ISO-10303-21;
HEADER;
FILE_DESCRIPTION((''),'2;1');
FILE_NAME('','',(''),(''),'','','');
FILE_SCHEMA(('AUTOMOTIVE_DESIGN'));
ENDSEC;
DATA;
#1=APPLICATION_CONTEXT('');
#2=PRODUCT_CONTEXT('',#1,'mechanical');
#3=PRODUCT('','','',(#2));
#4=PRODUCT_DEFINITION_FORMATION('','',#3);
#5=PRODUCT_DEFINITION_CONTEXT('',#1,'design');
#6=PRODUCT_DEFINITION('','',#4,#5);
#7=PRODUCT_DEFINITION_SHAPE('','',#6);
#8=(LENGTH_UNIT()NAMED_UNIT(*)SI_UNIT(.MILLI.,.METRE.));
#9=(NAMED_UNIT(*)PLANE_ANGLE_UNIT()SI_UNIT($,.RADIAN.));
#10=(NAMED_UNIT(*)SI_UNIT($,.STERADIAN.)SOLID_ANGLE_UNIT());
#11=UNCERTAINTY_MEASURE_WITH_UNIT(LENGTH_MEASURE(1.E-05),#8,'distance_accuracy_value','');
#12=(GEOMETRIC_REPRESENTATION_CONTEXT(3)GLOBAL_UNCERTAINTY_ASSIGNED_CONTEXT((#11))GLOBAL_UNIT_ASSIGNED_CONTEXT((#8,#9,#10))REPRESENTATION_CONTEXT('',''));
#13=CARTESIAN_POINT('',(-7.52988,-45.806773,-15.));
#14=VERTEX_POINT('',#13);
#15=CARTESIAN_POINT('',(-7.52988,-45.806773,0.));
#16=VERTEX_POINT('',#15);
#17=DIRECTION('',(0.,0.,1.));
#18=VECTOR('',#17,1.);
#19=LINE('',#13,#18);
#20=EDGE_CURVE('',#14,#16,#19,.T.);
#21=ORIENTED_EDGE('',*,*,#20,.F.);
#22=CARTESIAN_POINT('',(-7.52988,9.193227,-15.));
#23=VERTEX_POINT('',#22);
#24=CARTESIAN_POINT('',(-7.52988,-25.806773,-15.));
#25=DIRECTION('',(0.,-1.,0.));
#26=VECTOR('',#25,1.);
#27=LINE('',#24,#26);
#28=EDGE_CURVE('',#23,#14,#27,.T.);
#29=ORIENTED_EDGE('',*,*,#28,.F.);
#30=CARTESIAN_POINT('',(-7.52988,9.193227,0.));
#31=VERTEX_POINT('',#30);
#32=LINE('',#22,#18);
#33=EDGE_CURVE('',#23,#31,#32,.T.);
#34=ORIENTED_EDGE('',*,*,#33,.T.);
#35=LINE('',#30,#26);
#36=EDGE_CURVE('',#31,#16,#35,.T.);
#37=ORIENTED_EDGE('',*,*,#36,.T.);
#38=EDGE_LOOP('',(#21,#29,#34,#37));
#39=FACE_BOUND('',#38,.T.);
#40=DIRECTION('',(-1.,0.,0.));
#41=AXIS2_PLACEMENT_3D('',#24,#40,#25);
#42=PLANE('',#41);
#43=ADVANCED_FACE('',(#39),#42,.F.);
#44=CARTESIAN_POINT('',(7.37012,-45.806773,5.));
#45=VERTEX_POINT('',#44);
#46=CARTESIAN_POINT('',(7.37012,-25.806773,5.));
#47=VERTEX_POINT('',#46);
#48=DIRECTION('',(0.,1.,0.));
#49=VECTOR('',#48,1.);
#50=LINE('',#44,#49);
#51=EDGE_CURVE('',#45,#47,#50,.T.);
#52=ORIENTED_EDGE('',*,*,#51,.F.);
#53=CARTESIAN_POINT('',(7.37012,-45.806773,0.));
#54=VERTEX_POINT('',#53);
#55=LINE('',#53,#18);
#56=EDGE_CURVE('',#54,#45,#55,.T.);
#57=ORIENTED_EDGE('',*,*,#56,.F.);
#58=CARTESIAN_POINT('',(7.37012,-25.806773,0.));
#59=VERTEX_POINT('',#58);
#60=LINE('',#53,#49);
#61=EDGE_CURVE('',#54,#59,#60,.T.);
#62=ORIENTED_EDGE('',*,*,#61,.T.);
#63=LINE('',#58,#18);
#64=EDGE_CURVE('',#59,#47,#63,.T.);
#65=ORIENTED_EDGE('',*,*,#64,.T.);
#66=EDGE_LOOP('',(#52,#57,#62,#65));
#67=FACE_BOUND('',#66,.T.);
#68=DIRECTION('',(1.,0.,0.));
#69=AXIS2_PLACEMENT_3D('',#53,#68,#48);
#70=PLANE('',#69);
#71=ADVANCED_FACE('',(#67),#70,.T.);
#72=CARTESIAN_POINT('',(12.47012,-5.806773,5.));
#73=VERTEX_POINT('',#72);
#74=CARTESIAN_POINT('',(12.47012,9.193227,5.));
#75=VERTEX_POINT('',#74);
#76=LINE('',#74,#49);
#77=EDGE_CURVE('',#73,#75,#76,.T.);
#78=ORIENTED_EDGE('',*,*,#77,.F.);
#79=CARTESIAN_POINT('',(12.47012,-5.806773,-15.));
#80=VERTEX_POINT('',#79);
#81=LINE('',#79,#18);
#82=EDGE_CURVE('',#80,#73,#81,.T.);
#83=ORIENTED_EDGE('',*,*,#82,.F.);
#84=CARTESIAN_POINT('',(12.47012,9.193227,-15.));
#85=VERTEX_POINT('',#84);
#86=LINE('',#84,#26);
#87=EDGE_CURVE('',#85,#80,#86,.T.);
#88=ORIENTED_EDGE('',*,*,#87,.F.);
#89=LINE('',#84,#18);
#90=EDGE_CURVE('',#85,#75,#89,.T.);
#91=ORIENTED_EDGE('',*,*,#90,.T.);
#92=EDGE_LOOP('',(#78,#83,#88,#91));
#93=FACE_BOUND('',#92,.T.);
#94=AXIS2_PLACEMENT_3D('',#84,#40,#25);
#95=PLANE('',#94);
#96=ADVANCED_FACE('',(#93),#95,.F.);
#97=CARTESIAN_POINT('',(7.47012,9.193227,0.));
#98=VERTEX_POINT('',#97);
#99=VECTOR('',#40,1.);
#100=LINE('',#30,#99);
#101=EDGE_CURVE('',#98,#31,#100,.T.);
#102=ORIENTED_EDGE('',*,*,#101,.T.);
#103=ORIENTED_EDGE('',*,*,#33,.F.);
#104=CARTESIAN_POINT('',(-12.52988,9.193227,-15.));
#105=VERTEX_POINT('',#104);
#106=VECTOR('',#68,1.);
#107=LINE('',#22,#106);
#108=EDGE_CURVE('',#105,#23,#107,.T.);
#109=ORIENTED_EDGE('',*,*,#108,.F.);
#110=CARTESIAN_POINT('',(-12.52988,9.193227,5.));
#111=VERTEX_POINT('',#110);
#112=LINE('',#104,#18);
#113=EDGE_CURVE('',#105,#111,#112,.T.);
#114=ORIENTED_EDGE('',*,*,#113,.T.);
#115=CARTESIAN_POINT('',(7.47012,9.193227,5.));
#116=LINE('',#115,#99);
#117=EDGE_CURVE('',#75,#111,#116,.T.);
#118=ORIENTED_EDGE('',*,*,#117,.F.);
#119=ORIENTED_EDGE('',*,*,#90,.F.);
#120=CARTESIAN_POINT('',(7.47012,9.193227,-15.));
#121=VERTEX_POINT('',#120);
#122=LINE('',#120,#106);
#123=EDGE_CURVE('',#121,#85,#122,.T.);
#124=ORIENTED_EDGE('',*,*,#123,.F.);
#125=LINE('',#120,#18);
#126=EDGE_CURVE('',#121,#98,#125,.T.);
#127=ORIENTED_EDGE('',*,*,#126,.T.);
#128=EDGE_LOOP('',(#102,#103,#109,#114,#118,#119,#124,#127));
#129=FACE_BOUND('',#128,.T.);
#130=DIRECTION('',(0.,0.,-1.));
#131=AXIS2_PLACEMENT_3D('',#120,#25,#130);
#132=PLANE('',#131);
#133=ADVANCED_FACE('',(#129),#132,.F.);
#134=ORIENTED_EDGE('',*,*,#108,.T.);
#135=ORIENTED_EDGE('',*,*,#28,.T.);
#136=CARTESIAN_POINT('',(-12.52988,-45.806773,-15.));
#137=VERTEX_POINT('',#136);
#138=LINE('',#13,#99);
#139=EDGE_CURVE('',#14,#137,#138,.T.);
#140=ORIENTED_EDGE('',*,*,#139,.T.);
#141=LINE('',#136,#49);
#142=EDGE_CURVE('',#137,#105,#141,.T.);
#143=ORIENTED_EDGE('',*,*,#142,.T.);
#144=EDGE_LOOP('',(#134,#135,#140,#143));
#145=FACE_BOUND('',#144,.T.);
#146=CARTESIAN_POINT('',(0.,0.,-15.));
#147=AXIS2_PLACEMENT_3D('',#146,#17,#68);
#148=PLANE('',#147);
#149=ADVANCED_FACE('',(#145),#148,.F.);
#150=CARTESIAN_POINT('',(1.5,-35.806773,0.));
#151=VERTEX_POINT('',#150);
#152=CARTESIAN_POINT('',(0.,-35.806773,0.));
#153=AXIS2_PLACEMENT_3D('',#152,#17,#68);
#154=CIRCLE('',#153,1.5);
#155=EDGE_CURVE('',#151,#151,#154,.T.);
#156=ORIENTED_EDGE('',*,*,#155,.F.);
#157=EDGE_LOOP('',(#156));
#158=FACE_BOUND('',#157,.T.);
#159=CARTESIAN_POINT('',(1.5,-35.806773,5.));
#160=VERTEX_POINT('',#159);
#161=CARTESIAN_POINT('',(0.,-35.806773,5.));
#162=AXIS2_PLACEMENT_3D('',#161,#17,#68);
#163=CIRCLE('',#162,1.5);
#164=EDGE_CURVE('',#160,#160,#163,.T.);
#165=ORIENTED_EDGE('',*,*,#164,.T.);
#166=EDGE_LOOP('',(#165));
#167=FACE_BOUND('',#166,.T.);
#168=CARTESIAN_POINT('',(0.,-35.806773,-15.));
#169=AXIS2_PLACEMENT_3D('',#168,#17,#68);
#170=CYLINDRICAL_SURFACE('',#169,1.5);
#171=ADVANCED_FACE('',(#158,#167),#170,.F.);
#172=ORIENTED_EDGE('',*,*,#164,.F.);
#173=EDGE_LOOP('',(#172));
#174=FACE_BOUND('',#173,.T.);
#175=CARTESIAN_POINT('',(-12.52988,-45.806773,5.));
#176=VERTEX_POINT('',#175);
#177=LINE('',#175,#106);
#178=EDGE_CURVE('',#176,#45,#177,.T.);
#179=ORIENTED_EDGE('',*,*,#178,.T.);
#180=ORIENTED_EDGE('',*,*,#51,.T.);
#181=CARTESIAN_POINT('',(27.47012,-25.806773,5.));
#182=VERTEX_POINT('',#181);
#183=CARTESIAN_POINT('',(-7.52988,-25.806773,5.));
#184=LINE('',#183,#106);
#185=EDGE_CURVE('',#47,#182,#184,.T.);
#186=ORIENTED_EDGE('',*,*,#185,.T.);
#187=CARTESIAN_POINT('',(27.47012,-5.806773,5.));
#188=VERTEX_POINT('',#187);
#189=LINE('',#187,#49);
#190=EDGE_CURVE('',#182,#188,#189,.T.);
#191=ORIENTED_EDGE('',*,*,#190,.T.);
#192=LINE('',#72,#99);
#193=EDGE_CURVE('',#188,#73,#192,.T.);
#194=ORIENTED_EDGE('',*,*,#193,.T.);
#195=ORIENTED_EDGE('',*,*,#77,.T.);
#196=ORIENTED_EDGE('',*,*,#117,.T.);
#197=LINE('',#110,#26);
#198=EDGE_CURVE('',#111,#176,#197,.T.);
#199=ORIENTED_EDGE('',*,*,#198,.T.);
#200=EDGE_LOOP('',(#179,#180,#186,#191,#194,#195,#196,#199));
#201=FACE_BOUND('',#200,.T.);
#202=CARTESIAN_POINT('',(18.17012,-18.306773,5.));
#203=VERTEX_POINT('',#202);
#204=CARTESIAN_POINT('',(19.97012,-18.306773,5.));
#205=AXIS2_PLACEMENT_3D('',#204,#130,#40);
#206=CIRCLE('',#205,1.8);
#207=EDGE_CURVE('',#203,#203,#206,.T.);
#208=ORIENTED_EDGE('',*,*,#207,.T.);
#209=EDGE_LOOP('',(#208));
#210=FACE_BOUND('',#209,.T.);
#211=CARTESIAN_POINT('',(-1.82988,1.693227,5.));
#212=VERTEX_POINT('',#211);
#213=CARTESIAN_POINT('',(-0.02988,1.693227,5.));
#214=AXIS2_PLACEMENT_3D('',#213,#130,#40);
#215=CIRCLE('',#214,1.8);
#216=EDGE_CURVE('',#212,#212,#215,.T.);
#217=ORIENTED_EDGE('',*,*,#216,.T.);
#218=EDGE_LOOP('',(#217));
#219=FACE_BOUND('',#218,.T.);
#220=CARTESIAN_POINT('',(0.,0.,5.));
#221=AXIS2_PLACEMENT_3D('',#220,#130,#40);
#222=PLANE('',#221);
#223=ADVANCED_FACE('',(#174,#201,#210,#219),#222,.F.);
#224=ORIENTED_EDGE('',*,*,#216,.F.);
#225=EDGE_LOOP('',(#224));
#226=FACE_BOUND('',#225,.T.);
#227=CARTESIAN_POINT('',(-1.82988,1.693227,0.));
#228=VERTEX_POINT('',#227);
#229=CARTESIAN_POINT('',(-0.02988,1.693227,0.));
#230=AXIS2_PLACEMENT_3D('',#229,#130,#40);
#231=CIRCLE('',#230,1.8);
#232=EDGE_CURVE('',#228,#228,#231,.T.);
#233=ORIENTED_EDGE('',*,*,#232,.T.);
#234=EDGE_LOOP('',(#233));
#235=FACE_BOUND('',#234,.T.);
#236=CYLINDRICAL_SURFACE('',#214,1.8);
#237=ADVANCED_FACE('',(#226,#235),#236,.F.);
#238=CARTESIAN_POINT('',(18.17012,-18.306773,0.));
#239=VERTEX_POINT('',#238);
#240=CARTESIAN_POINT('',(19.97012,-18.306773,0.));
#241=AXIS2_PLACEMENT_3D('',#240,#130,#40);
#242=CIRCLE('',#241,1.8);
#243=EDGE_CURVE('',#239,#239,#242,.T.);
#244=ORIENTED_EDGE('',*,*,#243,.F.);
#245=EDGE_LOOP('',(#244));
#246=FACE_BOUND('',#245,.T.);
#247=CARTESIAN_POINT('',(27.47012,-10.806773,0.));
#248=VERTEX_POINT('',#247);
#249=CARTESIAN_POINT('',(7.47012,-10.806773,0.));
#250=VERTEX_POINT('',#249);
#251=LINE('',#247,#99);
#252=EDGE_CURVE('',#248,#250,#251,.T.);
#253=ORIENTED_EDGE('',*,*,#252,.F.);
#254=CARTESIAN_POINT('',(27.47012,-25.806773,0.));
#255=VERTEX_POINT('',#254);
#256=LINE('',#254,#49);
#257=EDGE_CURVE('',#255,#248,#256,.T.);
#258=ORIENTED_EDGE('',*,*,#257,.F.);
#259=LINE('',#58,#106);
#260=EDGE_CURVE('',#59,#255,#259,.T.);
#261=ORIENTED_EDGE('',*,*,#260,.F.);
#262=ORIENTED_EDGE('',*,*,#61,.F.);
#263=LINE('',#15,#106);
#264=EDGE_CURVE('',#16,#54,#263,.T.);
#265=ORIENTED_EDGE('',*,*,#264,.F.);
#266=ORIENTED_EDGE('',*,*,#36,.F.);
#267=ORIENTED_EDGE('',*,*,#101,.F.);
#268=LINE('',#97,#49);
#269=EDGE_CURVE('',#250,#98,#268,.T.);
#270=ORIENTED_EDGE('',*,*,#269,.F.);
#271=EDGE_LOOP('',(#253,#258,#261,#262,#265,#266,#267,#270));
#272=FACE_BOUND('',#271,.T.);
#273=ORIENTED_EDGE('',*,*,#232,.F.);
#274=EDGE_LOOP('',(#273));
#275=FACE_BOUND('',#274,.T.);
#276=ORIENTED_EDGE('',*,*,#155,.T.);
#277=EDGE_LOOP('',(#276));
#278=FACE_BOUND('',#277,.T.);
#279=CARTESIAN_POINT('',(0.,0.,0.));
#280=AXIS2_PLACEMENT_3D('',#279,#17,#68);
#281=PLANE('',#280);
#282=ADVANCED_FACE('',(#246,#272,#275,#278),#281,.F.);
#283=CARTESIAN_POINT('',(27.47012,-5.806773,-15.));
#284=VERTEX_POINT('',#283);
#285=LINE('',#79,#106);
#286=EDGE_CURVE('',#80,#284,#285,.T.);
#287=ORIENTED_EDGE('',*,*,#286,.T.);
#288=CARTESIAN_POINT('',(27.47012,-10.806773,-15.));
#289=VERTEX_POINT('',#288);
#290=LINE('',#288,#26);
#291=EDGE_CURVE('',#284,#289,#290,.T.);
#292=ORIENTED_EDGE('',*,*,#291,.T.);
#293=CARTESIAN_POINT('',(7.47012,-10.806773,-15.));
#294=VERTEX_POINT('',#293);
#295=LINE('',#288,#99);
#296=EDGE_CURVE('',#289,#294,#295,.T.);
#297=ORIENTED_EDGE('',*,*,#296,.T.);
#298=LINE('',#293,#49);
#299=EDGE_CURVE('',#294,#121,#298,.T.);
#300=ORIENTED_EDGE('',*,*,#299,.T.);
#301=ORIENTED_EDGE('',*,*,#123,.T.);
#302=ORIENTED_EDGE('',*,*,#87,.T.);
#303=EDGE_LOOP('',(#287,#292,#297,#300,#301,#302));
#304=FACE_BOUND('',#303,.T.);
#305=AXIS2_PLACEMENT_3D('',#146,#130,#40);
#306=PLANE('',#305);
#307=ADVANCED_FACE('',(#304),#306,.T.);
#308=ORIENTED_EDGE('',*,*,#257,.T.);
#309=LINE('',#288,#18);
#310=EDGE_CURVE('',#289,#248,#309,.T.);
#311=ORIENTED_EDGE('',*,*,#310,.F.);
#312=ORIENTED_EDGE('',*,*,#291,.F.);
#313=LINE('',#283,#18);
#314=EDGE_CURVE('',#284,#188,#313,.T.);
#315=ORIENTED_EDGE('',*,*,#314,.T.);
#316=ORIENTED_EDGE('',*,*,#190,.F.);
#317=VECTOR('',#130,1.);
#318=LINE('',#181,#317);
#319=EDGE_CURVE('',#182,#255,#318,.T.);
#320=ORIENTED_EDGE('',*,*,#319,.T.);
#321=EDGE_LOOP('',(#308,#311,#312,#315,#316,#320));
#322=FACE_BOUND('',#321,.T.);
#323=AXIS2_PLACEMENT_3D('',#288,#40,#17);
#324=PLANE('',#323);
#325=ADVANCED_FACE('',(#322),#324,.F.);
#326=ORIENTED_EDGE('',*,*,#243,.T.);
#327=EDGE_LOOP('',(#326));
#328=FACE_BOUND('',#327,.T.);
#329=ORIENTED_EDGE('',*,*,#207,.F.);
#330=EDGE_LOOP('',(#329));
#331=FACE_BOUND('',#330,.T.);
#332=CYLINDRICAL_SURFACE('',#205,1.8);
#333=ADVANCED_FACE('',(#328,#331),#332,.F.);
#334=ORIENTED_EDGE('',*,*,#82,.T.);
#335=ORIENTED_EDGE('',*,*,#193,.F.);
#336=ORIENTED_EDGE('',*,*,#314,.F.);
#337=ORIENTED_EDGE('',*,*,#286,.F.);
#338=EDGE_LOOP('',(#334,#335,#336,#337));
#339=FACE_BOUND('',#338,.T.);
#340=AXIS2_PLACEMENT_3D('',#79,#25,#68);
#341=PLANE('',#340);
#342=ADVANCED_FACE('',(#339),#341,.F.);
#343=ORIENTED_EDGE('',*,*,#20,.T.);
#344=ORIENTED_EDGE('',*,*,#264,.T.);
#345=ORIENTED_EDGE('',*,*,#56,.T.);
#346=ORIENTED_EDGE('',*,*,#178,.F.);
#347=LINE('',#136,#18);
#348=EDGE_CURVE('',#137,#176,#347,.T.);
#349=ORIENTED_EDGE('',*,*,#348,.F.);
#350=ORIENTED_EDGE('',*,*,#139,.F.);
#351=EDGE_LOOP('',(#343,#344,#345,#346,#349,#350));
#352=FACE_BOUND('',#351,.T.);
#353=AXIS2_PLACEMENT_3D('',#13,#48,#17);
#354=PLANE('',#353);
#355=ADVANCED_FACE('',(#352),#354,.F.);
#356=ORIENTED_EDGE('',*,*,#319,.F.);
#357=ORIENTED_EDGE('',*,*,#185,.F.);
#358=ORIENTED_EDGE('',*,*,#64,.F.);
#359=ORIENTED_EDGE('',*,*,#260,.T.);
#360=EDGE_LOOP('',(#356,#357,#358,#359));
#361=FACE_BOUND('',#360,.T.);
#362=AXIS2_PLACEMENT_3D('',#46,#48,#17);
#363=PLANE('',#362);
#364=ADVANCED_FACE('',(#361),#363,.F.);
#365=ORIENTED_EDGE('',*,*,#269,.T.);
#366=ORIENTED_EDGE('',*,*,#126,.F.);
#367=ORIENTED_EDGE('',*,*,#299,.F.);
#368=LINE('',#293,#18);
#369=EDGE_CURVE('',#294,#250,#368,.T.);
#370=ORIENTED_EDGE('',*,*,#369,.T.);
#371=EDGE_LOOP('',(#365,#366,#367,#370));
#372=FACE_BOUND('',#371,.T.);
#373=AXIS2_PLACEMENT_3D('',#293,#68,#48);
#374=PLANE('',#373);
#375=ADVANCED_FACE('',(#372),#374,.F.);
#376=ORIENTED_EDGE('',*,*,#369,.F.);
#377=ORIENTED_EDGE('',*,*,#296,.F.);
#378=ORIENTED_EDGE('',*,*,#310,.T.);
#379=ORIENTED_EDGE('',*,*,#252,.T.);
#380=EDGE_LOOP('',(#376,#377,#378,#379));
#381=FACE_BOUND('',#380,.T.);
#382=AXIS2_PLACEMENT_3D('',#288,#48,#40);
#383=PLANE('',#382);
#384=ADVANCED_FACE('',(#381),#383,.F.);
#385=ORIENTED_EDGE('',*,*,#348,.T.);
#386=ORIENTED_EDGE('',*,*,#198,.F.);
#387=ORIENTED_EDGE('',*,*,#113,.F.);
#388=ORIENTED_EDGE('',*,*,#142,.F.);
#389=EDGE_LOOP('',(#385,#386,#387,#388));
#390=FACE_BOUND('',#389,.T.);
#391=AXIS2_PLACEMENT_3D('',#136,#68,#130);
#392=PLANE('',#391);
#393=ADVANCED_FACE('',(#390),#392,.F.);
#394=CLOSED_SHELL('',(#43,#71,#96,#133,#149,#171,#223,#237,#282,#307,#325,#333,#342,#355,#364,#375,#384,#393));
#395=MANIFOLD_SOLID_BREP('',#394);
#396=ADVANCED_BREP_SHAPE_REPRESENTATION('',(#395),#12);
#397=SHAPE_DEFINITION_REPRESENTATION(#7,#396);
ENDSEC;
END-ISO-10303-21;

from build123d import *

# Parameters (mm, degrees)
BOSS_EXTRUDE1_DEPTH = 5
BOSS_EXTRUDE2_DEPTH = 15
BOSS_EXTRUDE3_DEPTH = 15
SKETCH4_R           = 1.8
CUT_EXTRUDE1_DEPTH  = 6
SKETCH6_W           = 14.9
SKETCH6_H           = 20
BOSS_EXTRUDE4_DEPTH = 5
SKETCH8_R           = 1.5
CUT_EXTRUDE3_DEPTH  = 21
SKETCH9_W           = 5
SKETCH9_H           = 55
BOSS_EXTRUDE5_DEPTH = 5
BOSS_EXTRUDE6_DEPTH = 5


with BuildPart() as part:
    # Sketch1 → Boss-Extrude1 (new body)
    with BuildSketch(Plane.XY):
        Polygon((7.370119522, -25.806772908), (27.470119522, -25.806772908), (27.470119522, -10.806772908), (7.470119522, -10.806772908), (7.470119522, 9.193227092), (-7.529880478, 9.193227092), (-7.529880478, -25.806772908), align=None)
    extrude(amount=BOSS_EXTRUDE1_DEPTH)

    # Sketch4 → Cut-Extrude1 (cut, through all)
    with BuildSketch(Plane(origin=(0, 0, 0), x_dir=(-1, 0, 0), z_dir=(0, 0, -1))):
        with Locations((0.029880478, 1.693227092)):
            Circle(SKETCH4_R)
        with Locations((-19.970119522, -18.306772908)):
            Circle(SKETCH4_R)
    extrude(amount=-CUT_EXTRUDE1_DEPTH, mode=Mode.SUBTRACT)

    # Sketch6 → Boss-Extrude4 (add)
    with BuildSketch(Plane.XY.offset(5)):
        with Locations((-0.079880478, -35.806772908)):
            Rectangle(SKETCH6_W, SKETCH6_H)
    extrude(amount=-BOSS_EXTRUDE4_DEPTH)

    # Sketch8 → Cut-Extrude3 (cut, through all)
    with BuildSketch(Plane.XY.offset(5)):
        with Locations((0, -35.806772908)):
            Circle(SKETCH8_R)
    extrude(amount=-CUT_EXTRUDE3_DEPTH, mode=Mode.SUBTRACT)



with BuildPart() as body_2:
    # Sketch2 → Boss-Extrude2 (new body)
    with BuildSketch(Plane(origin=(0, 0, 0), x_dir=(-1, 0, 0), z_dir=(0, 0, -1))):
        Polygon((-7.470119522, 9.193227092), (-12.470119522, 9.193227092), (-12.470119522, -5.806772908), (-27.470119522, -5.806772908), (-27.470119522, -10.806772908), (-7.470119522, -10.806772908), align=None)
    extrude(amount=BOSS_EXTRUDE2_DEPTH)


with BuildPart() as body_3:
    # Sketch3 → Boss-Extrude3 (new body)
    with BuildSketch(Plane(origin=(0, 0, 0), x_dir=(-1, 0, 0), z_dir=(0, 0, -1))):
        Polygon((7.529880478, 9.193227092), (12.529880478, 9.193227092), (12.529880478, -45.806772908), (7.529880478, -45.806772908), (7.529880478, -25.806772908), align=None)
    extrude(amount=BOSS_EXTRUDE3_DEPTH)


with BuildPart() as part_1:
    add(part.part)

    add(body_3.part)  # Boss-Extrude5 merges body 3
    # Sketch9 → Boss-Extrude5 (add)
    with BuildSketch(Plane.XY.offset(5)):
        with Locations((-10.029880478, -18.306772908)):
            Rectangle(SKETCH9_W, SKETCH9_H)
    extrude(amount=-BOSS_EXTRUDE5_DEPTH)


    add(body_2.part)  # Boss-Extrude6 merges body 2
    # Sketch10 → Boss-Extrude6 (add)
    with BuildSketch(Plane.XY):
        Polygon((7.470119522, 9.193227092), (12.470119522, 9.193227092), (12.470119522, -5.806772908), (27.470119522, -5.806772908), (27.470119522, -10.806772908), (7.470119522, -10.806772908), align=None)
    extrude(amount=BOSS_EXTRUDE6_DEPTH)


solid = part_1.part
